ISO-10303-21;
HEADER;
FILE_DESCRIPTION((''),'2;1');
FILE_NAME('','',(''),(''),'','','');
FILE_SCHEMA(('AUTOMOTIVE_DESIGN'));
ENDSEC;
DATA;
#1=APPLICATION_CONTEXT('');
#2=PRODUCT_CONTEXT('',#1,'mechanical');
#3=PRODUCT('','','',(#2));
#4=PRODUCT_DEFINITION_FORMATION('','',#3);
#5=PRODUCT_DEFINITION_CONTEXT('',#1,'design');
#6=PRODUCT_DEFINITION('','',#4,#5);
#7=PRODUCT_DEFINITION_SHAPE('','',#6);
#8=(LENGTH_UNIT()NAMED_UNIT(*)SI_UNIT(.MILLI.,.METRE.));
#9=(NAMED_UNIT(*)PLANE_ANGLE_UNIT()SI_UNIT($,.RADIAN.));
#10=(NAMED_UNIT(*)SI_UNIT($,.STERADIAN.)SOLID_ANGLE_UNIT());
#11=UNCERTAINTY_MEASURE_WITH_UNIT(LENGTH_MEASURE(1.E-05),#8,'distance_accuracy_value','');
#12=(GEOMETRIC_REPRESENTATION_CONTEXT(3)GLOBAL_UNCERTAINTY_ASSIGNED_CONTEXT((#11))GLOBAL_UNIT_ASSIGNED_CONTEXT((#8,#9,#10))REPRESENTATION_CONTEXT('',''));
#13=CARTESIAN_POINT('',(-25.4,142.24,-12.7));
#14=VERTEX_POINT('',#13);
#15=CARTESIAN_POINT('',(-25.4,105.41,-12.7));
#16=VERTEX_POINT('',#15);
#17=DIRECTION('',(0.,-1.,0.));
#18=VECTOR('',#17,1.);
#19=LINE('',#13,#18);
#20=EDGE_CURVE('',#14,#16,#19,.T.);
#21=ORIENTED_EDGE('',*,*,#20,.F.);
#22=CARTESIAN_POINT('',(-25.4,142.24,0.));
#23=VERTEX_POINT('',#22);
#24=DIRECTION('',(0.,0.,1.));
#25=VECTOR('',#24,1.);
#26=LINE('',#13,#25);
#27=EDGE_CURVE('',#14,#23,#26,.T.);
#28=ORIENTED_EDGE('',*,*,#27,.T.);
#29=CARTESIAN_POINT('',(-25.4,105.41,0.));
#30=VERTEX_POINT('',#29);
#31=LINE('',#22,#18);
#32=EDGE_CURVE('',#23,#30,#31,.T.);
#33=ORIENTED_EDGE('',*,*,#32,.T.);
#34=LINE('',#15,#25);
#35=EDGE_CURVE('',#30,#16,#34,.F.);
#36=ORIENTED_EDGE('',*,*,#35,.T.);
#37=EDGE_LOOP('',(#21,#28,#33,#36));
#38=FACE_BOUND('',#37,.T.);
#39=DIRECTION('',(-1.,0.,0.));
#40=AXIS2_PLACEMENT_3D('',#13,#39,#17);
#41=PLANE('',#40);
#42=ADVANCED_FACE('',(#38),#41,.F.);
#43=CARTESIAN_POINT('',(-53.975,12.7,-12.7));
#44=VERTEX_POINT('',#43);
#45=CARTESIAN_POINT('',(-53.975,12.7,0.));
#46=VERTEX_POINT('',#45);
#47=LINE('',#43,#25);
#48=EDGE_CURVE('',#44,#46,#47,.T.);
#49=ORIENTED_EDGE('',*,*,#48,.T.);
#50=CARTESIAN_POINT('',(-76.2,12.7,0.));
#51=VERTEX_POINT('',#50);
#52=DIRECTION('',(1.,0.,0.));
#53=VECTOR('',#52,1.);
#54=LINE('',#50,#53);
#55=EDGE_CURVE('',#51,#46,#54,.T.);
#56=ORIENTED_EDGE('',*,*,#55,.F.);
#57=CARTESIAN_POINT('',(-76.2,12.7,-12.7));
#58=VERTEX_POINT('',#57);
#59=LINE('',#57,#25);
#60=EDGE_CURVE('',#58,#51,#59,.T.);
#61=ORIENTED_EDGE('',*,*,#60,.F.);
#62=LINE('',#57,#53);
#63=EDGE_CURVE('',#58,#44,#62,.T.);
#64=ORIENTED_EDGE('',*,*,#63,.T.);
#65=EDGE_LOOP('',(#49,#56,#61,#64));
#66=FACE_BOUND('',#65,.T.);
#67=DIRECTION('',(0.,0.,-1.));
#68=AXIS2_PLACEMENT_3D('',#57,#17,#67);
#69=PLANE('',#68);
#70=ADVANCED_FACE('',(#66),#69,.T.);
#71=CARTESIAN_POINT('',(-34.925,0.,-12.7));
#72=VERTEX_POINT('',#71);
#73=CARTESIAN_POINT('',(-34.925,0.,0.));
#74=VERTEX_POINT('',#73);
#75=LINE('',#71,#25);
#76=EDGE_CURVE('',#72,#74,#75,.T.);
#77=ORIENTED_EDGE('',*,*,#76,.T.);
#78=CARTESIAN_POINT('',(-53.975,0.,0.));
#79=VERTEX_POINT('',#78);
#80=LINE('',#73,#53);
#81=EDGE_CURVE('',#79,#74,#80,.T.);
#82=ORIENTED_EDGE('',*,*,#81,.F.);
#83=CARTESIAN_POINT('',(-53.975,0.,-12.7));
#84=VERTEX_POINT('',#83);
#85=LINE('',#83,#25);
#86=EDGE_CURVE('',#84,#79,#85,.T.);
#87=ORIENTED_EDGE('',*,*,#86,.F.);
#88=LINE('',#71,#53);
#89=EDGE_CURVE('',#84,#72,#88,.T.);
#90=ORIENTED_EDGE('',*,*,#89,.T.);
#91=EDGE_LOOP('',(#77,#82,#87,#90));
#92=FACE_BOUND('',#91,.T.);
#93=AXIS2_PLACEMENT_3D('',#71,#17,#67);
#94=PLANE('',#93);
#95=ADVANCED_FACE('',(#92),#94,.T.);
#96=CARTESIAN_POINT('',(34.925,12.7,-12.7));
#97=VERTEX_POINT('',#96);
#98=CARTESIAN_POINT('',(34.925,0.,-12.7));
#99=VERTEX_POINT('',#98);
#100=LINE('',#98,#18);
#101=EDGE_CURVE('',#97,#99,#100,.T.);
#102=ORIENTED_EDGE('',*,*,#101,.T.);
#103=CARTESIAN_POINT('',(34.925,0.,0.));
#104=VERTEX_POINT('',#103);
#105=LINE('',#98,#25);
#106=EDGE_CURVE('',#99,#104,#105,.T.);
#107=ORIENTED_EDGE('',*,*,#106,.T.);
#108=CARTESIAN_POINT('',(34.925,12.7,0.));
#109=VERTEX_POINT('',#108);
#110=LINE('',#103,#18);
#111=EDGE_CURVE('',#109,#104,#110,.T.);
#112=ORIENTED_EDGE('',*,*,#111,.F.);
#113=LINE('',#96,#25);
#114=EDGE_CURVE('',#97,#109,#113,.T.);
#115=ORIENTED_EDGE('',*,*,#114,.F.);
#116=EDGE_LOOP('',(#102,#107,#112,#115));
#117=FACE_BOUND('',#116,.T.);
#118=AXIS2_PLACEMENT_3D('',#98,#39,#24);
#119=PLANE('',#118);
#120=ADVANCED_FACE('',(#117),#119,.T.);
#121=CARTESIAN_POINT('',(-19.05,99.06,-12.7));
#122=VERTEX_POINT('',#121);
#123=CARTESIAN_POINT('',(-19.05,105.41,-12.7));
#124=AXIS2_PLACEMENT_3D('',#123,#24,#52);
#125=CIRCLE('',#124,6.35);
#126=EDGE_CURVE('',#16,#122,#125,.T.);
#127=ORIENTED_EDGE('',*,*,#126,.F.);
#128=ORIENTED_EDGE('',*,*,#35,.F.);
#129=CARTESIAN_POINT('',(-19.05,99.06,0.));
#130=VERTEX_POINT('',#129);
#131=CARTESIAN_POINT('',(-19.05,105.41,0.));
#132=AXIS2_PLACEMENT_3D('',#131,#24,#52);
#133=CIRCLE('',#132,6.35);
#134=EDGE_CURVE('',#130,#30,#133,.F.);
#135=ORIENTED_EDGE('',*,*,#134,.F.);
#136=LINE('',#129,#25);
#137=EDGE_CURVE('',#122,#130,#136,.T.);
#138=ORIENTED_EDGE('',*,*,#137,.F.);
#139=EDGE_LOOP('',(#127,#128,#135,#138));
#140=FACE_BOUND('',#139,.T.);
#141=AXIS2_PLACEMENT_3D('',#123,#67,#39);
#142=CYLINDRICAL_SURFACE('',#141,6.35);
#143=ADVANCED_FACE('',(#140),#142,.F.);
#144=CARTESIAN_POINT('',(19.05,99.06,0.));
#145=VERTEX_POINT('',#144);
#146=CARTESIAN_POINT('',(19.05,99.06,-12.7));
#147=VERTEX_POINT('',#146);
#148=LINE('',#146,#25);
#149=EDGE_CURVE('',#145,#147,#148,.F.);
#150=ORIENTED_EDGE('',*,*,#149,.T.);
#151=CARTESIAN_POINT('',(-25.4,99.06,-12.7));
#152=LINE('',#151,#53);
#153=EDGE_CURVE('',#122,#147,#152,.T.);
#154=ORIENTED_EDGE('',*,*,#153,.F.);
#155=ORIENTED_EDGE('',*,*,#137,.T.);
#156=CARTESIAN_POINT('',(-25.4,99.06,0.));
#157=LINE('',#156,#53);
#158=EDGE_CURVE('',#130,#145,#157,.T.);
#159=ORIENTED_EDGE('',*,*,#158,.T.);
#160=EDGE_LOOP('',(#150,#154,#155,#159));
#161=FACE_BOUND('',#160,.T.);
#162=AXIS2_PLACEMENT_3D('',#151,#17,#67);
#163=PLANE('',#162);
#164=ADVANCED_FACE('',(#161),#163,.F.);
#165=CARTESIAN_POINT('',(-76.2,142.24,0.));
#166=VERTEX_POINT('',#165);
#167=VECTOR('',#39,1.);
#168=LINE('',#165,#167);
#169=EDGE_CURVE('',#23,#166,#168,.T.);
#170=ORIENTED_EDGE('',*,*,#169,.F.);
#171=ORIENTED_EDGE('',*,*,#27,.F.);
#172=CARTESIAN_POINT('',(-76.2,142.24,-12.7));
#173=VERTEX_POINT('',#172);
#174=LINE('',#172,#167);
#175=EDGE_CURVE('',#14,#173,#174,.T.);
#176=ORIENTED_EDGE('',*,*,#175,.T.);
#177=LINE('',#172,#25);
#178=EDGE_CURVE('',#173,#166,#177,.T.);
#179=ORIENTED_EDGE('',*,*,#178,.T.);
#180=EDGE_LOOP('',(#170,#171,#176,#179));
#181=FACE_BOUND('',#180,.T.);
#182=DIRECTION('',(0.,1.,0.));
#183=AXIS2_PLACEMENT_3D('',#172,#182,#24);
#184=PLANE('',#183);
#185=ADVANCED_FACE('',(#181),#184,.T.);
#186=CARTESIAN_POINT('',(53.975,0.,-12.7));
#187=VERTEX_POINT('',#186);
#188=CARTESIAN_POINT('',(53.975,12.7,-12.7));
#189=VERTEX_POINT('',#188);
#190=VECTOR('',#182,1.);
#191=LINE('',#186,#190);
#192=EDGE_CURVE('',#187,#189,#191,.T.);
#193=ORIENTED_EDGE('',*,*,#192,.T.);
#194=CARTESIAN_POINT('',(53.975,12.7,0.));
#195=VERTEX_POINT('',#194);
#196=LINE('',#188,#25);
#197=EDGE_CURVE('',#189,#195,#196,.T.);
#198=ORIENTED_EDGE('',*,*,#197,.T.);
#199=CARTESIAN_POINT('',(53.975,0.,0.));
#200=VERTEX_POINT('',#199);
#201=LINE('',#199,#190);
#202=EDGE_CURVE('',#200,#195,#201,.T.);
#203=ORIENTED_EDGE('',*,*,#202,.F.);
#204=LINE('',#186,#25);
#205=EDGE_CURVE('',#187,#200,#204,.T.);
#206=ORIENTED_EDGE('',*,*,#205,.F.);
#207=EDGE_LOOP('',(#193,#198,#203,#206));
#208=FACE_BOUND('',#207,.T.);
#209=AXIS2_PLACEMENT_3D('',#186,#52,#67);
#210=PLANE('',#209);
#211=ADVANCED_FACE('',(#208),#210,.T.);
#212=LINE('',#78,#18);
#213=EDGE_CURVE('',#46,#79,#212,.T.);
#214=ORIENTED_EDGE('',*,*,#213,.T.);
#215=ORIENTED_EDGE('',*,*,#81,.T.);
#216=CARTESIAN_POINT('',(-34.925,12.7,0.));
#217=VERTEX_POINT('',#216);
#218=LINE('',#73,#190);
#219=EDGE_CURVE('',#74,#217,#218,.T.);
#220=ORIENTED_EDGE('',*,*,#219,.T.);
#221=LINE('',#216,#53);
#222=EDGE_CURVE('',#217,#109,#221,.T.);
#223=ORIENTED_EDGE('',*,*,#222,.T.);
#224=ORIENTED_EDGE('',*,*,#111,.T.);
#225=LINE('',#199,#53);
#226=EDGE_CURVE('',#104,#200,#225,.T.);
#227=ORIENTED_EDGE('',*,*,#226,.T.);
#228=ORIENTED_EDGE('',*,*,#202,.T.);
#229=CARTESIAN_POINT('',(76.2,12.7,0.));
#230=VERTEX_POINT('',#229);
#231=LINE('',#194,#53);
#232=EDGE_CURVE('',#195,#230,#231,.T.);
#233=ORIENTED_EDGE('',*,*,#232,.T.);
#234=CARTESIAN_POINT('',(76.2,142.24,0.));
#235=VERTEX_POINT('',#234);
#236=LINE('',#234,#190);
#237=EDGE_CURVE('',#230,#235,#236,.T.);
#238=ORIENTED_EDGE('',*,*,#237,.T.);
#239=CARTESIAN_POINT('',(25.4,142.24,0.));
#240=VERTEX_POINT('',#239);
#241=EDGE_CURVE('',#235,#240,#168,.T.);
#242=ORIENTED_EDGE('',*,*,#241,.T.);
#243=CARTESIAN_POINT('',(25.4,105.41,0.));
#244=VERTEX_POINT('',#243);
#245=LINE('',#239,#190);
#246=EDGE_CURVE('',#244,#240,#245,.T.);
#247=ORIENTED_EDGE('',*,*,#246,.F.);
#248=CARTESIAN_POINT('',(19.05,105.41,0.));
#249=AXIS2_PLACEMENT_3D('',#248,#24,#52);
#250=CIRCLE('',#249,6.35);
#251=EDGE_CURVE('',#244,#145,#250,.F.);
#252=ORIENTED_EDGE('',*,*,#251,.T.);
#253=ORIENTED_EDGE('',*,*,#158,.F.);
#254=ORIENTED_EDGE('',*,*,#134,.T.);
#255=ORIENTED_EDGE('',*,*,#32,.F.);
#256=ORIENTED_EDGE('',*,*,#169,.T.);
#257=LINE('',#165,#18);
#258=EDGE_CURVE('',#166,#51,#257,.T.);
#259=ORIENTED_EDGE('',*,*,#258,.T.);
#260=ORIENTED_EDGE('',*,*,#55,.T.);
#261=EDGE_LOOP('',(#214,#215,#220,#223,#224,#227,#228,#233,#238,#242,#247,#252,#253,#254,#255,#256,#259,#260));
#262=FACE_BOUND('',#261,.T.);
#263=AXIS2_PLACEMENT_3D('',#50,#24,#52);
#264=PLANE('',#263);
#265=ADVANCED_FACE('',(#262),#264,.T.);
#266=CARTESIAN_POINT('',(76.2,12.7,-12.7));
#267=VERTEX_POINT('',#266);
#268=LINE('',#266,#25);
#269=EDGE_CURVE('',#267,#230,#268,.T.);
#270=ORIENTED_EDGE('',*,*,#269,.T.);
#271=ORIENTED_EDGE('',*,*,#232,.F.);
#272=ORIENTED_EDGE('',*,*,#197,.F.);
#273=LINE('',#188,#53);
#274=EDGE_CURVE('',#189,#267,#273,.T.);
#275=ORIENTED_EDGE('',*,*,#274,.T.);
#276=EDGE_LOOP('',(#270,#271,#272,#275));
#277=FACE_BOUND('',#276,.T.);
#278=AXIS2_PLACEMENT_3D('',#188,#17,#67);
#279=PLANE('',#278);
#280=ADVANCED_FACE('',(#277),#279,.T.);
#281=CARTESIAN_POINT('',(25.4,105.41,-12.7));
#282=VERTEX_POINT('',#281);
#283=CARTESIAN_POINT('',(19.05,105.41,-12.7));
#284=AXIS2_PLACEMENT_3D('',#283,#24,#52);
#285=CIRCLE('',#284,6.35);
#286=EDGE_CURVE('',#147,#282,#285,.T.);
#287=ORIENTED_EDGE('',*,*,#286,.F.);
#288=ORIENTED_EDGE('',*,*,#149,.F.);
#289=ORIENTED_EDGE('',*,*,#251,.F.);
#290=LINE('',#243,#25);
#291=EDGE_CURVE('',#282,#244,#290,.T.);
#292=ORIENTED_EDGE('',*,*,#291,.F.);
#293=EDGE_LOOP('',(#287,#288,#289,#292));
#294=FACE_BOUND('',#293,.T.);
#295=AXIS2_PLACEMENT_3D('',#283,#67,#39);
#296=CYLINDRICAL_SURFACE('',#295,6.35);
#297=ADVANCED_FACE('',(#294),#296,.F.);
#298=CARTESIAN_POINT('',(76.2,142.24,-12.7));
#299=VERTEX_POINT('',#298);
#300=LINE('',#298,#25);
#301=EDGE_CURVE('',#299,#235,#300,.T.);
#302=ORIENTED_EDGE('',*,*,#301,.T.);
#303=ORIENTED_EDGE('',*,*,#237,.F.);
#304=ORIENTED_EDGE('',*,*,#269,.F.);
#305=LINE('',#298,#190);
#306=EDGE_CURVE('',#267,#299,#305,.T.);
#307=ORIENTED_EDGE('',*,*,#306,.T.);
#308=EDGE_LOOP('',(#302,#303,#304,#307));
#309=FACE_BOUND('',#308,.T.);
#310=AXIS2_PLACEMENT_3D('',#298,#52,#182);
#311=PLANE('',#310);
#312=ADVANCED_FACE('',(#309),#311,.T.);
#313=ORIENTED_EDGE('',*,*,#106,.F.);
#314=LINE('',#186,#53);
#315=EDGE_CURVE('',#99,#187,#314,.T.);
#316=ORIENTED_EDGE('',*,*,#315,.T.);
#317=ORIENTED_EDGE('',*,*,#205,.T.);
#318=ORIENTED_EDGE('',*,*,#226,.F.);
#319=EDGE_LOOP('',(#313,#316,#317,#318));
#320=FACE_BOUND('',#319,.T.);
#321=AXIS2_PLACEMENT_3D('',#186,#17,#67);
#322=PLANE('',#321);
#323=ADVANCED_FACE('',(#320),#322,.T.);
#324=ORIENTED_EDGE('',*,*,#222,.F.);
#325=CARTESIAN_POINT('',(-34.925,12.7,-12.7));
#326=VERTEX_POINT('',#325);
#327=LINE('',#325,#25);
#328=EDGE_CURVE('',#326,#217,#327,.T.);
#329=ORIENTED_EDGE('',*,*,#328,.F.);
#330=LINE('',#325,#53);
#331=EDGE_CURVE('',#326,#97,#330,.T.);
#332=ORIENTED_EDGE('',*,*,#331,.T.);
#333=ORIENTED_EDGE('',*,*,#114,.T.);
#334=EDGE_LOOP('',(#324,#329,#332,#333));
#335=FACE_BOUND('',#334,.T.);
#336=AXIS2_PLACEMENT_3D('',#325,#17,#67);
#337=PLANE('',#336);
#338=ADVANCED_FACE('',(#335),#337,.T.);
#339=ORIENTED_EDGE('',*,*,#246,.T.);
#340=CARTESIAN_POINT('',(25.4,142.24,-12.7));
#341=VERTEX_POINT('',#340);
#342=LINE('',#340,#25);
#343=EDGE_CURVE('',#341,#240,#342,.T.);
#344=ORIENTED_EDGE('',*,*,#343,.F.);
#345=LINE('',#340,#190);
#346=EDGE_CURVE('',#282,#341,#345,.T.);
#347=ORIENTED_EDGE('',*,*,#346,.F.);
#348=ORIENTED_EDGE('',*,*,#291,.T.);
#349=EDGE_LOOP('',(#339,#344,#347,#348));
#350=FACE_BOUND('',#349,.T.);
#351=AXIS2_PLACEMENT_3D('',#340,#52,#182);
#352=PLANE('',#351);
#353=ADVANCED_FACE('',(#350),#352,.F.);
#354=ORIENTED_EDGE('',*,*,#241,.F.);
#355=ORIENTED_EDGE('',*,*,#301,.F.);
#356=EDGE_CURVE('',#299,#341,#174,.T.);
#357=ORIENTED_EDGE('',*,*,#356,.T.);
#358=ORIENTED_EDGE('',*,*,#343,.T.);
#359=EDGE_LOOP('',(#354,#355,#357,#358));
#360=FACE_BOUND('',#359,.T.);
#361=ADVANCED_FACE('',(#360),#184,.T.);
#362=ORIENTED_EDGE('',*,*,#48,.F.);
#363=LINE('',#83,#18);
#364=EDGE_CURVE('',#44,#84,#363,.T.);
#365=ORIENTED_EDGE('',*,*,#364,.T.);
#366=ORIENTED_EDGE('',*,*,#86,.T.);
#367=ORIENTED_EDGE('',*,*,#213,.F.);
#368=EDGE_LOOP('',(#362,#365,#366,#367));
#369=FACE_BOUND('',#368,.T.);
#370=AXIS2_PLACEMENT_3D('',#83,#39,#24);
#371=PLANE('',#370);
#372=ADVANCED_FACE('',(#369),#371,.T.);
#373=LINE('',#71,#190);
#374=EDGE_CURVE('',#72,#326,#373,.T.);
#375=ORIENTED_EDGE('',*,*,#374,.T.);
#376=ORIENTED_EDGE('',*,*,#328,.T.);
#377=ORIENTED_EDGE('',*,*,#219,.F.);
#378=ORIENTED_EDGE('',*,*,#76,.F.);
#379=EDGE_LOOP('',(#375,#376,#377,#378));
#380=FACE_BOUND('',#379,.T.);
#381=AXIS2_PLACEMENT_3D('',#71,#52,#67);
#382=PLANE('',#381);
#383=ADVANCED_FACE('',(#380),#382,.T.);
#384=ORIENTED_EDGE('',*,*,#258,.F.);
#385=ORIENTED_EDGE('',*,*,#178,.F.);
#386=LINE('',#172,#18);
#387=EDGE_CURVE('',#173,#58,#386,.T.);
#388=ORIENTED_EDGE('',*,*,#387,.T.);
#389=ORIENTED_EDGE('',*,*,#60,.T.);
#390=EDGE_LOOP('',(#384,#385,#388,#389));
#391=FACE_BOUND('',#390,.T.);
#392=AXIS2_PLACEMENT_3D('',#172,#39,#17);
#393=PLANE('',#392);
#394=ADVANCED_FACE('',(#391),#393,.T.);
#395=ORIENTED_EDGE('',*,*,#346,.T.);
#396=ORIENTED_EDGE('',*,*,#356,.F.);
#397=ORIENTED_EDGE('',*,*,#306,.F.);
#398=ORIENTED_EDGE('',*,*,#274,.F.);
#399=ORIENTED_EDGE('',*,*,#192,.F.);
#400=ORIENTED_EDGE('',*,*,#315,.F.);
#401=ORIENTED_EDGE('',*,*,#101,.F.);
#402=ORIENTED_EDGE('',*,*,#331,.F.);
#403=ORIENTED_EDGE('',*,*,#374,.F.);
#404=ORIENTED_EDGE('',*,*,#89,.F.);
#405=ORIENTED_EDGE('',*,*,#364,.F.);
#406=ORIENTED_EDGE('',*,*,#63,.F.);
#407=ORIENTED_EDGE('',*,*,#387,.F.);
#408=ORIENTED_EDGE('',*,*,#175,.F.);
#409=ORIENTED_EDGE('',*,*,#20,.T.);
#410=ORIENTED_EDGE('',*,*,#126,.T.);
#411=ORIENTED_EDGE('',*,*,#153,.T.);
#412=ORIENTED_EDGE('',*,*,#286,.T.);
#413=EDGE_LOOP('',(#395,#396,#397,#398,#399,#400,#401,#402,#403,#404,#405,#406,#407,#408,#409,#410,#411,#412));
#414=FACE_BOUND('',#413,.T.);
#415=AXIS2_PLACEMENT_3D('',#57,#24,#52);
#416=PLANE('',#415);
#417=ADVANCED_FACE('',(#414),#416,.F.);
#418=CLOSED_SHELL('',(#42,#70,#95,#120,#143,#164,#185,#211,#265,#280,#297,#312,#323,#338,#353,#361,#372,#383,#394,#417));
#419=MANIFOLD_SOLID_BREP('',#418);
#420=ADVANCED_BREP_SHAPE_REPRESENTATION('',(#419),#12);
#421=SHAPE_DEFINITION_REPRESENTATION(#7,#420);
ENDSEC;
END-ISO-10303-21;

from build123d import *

# Parameters (mm, degrees)
EXTRUDE1_DEPTH     = 12.7
SKETCH2_W          = 50.8
SKETCH2_H          = 43.18
CUT_EXTRUDE1_DEPTH = 162.863978698
FILLET1_R          = 6.35


with BuildPart() as part:
    # Sketch1 → Extrude1 (new body)
    with BuildSketch(Plane.XY):
        Polygon((-76.2, 142.24), (76.2, 142.24), (76.2, 12.7), (53.975, 12.7), (53.975, 0), (34.925, 0), (34.925, 12.7), (-34.925, 12.7), (-34.925, 0), (-53.975, 0), (-53.975, 12.7), (-76.2, 12.7), align=None)
    extrude(amount=-EXTRUDE1_DEPTH)

    # Sketch2 → Cut-Extrude1 (cut, through all)
    with BuildSketch(Plane.XY):
        with Locations((0, 120.65)):
            Rectangle(SKETCH2_W, SKETCH2_H)
    extrude(amount=-CUT_EXTRUDE1_DEPTH, mode=Mode.SUBTRACT)

    # Fillet1
    fillet1_edges = [part.edges().sort_by_distance(p)[0] for p in [
        (-25.4, 99.06, -6.35),
        (25.4, 99.06, -6.35),
    ]]
    fillet(fillet1_edges, radius=FILLET1_R)


solid = part.part
